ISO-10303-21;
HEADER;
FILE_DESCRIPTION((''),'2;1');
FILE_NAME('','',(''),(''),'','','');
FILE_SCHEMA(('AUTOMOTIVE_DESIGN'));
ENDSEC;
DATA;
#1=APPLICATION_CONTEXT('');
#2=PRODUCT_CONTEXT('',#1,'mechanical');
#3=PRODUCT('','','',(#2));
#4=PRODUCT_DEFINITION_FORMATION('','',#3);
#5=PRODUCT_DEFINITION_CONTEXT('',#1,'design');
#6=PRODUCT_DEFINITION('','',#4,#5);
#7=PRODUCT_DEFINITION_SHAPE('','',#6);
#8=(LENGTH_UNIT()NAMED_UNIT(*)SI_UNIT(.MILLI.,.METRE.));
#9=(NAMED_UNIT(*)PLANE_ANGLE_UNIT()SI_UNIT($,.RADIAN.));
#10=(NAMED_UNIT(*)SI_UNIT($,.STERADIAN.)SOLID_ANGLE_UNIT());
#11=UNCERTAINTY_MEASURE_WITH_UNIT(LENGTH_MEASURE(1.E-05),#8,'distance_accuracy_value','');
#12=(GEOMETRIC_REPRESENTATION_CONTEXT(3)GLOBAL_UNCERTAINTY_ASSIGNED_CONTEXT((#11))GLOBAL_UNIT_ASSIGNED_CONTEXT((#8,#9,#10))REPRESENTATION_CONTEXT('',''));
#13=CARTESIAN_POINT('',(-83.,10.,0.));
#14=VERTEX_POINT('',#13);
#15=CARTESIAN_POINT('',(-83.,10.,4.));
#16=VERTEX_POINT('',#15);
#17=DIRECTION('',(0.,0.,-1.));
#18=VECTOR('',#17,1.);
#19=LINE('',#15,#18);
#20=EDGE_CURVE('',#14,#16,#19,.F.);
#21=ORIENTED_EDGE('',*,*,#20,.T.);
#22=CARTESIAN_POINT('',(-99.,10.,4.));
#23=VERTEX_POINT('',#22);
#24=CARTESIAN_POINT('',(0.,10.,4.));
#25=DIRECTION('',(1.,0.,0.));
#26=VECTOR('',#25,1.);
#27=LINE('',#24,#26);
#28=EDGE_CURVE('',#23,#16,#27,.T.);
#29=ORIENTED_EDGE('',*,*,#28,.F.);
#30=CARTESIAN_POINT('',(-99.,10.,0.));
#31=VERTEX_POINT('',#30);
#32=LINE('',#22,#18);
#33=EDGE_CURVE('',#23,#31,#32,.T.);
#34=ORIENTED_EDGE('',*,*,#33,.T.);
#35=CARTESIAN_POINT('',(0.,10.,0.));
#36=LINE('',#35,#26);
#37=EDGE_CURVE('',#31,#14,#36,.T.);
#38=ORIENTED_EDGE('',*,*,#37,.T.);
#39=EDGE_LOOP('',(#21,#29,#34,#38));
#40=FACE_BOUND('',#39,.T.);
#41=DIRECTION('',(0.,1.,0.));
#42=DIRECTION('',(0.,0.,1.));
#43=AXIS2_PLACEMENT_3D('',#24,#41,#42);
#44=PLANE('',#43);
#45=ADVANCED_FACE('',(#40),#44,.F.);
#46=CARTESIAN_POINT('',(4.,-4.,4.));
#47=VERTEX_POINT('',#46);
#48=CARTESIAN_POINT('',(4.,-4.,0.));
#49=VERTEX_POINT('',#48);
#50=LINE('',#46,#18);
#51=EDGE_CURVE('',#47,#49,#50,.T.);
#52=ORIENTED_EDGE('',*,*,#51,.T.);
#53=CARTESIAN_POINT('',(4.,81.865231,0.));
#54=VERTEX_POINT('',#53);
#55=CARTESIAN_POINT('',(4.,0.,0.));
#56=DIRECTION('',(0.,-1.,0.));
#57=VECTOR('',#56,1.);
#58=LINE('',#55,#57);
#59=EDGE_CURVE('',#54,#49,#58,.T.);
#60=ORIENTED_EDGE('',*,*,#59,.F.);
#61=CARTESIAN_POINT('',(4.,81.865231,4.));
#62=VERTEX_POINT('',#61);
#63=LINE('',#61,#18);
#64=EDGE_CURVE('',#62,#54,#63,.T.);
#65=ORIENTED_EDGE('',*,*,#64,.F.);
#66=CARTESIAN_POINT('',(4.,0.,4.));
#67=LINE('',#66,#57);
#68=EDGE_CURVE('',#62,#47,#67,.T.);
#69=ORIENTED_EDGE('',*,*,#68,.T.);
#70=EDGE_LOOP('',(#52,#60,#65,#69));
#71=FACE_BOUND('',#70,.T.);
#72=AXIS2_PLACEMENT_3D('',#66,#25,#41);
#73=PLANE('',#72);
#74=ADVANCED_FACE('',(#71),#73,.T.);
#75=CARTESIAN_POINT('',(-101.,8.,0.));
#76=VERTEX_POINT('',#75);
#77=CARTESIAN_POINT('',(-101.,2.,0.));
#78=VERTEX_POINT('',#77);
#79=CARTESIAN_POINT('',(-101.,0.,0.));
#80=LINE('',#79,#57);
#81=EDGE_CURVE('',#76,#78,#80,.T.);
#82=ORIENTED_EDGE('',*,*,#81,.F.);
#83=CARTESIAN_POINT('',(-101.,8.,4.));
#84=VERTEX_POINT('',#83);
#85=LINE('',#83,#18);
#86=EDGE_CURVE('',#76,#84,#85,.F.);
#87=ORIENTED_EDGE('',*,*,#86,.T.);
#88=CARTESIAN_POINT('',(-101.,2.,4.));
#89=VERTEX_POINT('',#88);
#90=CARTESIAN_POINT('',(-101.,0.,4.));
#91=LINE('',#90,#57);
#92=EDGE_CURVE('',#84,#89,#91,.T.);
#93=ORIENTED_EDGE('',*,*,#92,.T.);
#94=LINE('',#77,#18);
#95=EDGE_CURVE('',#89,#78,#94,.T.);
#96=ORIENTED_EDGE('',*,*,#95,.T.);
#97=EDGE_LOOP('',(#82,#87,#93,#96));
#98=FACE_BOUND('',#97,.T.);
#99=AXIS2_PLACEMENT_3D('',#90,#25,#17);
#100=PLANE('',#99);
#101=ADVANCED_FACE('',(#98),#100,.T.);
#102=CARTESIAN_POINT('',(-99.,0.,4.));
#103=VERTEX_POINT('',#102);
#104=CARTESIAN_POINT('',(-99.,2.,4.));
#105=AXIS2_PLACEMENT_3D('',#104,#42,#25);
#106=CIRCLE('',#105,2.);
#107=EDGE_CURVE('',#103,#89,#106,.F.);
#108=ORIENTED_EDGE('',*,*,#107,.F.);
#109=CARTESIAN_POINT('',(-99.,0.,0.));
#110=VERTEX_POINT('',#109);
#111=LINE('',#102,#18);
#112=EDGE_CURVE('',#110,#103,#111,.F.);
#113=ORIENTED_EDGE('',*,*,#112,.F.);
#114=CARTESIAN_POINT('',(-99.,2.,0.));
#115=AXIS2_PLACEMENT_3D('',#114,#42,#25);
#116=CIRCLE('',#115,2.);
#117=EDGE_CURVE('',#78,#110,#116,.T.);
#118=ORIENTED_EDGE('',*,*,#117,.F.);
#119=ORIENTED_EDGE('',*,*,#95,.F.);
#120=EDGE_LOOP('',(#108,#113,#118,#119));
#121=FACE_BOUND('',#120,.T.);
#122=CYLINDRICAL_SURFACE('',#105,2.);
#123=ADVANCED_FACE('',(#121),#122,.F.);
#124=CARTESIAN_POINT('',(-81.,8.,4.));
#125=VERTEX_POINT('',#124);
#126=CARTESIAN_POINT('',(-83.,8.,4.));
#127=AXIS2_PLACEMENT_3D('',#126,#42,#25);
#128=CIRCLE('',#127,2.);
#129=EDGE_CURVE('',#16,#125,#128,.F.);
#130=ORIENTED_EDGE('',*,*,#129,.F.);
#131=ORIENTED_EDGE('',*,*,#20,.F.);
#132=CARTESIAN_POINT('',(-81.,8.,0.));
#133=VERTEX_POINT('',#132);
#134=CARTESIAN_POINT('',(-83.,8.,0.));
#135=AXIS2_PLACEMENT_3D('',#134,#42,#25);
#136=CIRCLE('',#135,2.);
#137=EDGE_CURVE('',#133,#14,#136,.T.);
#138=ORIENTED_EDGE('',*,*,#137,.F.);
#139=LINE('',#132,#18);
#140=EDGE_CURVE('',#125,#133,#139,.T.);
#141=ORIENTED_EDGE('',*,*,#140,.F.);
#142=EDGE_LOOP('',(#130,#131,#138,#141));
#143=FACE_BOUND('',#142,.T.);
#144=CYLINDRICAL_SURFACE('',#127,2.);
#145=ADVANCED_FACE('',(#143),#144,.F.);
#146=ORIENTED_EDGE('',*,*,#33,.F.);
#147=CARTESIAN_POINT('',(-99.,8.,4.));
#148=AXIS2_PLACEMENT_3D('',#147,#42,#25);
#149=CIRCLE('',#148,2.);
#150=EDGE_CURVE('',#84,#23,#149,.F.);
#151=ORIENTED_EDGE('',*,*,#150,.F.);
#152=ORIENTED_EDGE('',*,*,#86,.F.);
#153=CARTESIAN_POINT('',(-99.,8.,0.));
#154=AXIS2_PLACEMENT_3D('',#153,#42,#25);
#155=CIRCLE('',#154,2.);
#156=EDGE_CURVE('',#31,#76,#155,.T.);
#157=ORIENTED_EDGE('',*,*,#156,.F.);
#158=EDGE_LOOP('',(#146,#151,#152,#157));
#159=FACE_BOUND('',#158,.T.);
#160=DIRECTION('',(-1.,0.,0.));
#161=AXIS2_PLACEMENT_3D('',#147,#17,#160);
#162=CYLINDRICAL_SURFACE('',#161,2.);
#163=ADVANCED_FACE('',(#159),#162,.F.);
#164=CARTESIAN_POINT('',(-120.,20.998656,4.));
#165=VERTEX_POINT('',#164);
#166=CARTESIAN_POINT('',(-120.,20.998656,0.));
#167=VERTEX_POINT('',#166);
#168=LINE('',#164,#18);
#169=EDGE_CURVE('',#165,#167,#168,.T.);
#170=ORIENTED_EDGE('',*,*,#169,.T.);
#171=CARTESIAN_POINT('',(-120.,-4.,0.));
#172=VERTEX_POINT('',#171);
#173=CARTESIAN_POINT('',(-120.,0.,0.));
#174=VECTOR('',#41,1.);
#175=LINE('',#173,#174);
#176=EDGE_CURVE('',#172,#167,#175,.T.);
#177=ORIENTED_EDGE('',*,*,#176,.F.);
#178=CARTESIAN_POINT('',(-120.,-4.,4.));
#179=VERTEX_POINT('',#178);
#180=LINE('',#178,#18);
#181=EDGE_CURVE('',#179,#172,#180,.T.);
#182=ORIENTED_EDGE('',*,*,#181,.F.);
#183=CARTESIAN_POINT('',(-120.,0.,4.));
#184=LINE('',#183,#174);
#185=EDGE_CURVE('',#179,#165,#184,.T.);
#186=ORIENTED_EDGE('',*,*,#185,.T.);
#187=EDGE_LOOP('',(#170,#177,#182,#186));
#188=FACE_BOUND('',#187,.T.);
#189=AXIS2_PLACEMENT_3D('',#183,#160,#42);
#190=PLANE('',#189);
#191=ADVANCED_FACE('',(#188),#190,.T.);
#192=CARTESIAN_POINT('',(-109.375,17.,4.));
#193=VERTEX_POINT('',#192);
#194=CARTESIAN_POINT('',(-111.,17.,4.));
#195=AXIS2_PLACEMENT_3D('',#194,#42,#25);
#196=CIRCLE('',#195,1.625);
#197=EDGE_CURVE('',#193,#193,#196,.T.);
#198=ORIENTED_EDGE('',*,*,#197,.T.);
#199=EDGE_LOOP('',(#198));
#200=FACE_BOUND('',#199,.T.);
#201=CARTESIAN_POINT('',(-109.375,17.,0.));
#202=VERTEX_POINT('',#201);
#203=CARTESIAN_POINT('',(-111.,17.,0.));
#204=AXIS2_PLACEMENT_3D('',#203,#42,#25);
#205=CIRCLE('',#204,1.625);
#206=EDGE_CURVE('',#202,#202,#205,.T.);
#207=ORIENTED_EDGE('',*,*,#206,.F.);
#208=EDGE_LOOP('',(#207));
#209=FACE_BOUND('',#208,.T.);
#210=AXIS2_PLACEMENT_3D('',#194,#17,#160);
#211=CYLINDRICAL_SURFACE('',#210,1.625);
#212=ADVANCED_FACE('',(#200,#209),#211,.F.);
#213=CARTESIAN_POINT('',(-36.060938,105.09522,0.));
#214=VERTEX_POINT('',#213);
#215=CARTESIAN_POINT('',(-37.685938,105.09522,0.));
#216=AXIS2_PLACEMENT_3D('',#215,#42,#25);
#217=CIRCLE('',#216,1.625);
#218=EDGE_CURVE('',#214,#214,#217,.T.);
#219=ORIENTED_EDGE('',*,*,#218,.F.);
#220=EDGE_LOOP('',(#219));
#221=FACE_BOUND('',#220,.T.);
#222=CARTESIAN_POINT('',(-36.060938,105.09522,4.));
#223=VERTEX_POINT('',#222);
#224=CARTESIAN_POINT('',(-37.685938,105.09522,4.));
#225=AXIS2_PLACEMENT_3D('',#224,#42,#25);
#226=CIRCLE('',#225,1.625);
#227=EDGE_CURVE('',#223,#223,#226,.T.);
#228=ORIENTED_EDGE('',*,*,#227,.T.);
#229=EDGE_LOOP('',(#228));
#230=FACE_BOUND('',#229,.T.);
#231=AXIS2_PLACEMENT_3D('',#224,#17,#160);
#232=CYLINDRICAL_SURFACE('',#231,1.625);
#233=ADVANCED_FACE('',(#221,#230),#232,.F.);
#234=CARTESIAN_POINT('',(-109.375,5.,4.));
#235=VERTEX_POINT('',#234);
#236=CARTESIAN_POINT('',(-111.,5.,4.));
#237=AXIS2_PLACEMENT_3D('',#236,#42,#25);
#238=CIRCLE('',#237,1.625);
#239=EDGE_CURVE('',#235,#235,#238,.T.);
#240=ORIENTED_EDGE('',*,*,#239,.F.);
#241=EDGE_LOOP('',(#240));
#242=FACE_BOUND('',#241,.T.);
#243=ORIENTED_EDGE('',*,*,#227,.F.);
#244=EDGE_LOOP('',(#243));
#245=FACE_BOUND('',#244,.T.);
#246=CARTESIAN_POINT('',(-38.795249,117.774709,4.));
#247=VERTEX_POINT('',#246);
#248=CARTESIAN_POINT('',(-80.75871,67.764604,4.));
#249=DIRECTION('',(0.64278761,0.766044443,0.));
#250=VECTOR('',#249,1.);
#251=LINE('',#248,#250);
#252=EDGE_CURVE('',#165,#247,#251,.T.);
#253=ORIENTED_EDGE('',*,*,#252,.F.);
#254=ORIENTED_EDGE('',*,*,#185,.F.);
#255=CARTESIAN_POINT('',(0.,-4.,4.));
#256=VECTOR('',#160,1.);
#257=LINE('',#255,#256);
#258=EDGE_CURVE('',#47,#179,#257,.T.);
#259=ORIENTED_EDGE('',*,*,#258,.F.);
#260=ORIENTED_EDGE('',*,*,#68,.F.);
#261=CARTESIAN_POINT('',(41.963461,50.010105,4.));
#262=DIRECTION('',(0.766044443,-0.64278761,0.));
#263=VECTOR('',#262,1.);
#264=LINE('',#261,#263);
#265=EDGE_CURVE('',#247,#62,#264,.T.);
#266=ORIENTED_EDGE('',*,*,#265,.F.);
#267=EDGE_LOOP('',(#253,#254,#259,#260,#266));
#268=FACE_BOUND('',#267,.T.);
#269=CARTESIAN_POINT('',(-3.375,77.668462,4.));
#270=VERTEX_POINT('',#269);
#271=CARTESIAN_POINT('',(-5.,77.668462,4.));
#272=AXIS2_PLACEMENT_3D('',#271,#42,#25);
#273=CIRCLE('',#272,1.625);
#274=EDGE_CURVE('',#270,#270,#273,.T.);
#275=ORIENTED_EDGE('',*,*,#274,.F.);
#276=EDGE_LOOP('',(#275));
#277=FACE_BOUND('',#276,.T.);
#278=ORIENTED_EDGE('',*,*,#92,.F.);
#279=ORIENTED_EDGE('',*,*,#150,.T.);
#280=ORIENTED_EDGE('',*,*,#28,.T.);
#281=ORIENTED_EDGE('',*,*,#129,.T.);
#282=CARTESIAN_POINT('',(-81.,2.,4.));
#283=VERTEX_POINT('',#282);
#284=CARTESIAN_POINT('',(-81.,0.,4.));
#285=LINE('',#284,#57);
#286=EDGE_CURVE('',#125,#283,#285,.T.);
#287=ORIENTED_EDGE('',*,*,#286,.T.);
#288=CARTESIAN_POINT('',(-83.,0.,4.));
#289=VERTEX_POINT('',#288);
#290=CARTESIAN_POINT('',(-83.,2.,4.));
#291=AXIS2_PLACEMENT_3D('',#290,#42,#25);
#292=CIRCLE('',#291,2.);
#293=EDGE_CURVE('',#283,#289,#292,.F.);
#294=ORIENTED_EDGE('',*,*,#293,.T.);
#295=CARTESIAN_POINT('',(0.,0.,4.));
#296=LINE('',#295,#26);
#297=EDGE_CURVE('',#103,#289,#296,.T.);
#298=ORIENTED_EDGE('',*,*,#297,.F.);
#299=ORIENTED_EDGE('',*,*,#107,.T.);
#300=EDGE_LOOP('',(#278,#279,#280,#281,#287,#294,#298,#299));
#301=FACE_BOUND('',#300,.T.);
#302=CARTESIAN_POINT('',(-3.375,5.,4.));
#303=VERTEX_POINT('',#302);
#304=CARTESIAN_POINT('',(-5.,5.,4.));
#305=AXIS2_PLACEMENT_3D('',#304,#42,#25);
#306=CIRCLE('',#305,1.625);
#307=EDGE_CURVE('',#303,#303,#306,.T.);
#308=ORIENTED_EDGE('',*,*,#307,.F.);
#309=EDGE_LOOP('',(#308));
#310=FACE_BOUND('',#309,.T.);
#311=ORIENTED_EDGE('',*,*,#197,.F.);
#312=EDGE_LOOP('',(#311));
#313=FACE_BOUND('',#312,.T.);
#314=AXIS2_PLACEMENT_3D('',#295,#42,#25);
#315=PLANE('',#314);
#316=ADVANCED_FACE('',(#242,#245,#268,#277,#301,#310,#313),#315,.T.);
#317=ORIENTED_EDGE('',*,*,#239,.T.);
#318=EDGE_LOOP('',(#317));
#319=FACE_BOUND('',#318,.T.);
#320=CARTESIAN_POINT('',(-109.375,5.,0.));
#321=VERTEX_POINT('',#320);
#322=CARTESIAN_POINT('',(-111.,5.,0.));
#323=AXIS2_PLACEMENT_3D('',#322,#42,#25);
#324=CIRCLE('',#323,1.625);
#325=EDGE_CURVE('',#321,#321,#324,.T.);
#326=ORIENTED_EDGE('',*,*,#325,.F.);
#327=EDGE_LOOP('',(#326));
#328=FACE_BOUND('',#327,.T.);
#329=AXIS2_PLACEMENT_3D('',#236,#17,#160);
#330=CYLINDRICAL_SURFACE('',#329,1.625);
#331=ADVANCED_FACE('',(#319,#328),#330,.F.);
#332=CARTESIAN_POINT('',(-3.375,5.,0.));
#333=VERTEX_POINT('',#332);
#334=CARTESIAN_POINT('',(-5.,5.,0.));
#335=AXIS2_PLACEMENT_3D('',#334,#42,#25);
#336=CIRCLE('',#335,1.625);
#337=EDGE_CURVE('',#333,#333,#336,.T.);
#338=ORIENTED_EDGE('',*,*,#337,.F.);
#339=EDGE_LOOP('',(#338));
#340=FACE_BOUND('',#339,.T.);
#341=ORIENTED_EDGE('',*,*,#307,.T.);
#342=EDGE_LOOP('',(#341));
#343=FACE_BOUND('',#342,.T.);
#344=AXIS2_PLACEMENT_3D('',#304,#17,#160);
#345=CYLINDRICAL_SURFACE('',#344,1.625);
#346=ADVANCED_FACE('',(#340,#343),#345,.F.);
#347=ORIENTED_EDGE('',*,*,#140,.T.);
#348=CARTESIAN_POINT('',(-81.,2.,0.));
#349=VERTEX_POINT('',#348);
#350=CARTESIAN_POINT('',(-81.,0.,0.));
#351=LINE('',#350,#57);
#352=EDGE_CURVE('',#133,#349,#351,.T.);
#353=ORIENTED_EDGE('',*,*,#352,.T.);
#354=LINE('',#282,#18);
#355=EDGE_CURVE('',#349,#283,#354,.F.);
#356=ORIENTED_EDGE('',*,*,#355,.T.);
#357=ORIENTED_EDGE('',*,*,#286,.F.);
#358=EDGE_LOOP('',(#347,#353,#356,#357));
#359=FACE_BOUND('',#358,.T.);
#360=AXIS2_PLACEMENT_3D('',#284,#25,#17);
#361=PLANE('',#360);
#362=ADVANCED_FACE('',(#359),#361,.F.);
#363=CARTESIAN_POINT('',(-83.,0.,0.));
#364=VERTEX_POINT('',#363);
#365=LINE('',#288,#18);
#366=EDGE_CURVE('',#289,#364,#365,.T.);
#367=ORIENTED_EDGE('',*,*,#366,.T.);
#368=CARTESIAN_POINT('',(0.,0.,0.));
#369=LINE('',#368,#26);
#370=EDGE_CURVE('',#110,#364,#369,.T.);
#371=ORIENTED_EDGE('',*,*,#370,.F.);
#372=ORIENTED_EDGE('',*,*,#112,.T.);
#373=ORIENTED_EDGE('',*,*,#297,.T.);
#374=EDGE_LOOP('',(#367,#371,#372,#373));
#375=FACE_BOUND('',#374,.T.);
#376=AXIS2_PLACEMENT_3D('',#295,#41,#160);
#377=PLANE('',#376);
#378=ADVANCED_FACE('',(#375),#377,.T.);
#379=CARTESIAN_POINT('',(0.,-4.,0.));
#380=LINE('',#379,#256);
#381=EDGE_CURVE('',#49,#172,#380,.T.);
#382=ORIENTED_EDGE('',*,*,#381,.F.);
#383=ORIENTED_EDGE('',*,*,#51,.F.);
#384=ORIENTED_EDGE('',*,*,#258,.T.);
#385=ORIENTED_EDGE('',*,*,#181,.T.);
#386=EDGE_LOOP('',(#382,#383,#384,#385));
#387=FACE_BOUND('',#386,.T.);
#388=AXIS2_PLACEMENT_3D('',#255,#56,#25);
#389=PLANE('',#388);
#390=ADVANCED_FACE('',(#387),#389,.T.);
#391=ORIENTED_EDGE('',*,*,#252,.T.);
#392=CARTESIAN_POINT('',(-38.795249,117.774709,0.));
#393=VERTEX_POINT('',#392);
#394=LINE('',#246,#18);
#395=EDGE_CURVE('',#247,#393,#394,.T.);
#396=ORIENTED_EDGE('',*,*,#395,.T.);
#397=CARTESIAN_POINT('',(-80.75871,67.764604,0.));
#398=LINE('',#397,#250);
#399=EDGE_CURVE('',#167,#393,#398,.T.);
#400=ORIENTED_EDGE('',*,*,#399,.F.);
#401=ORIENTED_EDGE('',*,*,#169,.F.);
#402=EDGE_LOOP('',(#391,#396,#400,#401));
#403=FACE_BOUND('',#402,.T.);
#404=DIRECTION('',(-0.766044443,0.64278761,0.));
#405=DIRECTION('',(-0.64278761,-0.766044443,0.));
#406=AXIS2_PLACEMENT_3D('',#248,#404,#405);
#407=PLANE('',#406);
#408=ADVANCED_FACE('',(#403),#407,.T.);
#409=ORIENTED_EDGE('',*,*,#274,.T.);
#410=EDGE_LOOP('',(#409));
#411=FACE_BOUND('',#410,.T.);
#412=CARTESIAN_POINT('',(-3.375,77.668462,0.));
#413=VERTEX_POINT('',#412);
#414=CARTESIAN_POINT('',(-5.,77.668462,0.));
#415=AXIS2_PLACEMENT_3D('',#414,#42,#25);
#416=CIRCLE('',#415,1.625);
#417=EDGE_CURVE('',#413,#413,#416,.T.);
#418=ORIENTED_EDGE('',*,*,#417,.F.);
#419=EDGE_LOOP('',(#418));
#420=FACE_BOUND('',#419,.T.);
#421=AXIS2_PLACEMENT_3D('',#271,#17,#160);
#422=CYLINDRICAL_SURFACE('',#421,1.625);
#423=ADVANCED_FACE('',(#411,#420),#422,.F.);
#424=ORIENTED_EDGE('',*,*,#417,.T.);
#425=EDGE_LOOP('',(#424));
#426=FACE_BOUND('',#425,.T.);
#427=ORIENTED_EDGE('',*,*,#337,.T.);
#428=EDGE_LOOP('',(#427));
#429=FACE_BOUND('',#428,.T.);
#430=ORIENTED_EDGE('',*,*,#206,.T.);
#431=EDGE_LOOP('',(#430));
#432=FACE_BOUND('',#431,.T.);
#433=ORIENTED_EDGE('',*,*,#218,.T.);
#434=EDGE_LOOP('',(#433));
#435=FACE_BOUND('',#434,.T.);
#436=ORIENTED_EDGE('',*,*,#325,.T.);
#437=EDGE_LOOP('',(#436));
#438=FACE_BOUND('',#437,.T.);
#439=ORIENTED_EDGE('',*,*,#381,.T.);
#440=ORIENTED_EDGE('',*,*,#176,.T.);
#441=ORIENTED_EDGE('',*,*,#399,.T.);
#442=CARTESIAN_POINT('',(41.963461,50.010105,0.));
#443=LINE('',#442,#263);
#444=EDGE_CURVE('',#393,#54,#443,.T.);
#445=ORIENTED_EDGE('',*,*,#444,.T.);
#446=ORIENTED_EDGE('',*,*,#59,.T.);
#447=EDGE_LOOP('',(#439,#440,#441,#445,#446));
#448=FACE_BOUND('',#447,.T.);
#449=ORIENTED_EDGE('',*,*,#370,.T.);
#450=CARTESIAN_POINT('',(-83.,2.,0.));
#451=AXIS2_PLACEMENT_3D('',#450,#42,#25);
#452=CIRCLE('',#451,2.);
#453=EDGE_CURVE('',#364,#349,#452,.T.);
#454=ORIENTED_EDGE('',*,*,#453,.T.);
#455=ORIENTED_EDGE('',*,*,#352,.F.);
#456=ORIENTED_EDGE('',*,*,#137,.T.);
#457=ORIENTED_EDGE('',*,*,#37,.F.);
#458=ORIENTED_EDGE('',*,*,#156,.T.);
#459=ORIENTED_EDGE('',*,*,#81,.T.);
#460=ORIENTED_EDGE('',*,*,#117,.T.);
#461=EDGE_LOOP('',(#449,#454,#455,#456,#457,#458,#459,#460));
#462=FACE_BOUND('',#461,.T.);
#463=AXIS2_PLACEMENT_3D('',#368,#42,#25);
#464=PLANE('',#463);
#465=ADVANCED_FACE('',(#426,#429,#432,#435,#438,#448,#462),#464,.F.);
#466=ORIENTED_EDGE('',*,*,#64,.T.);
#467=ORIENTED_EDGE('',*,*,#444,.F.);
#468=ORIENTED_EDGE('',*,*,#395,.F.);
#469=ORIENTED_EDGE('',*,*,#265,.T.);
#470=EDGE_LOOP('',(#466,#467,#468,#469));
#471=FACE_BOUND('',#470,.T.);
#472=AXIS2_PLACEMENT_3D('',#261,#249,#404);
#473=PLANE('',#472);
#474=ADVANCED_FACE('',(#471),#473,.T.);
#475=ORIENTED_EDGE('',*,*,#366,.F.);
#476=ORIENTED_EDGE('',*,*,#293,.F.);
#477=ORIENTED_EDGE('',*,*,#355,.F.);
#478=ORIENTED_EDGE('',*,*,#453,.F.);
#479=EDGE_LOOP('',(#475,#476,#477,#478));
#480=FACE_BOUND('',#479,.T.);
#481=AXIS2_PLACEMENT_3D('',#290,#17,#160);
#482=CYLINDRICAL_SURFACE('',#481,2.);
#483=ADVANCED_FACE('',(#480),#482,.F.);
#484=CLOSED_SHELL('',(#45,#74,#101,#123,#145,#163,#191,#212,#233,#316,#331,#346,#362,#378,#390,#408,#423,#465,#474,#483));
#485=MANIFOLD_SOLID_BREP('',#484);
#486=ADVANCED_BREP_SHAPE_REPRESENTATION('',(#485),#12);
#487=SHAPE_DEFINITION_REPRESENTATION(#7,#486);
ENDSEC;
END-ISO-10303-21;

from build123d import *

# Parameters (mm, degrees)
SKETCH1_R           = 1.625
SKETCH1_W           = 20
SKETCH1_H           = 10
BOSS_EXTRUDE1_DEPTH = 4
FILLET1_R           = 2


with BuildPart() as part:
    # Sketch1 → Boss-Extrude1 (new body)
    with BuildSketch(Plane.XY):
        Polygon((-35.731071717, 115.203558257), (4, 81.865230633), (4, -4), (-120, -4), (-120, 0), (-120, 20.998655539), (-38.79524949, 117.774708696), align=None)
        with Locations((-5, 5)):
            Circle(SKETCH1_R, mode=Mode.SUBTRACT)
        with Locations((-111, 5)):
            Circle(SKETCH1_R, mode=Mode.SUBTRACT)
        with Locations((-111, 17)):
            Circle(SKETCH1_R, mode=Mode.SUBTRACT)
        with Locations((-37.685937989, 105.09522022)):
            Circle(SKETCH1_R, mode=Mode.SUBTRACT)
        with Locations((-5, 77.668461709)):
            Circle(SKETCH1_R, mode=Mode.SUBTRACT)
        with Locations((-91, 5)):
            Rectangle(SKETCH1_W, SKETCH1_H, mode=Mode.SUBTRACT)
    extrude(amount=BOSS_EXTRUDE1_DEPTH)

    # Fillet1
    fillet1_edges = [part.edges().sort_by_distance(p)[0] for p in [
        (-101, 10, 2),
        (-101, 0, 2),
        (-81, 0, 2),
        (-81, 10, 2),
    ]]
    fillet(fillet1_edges, radius=FILLET1_R)


solid = part.part
